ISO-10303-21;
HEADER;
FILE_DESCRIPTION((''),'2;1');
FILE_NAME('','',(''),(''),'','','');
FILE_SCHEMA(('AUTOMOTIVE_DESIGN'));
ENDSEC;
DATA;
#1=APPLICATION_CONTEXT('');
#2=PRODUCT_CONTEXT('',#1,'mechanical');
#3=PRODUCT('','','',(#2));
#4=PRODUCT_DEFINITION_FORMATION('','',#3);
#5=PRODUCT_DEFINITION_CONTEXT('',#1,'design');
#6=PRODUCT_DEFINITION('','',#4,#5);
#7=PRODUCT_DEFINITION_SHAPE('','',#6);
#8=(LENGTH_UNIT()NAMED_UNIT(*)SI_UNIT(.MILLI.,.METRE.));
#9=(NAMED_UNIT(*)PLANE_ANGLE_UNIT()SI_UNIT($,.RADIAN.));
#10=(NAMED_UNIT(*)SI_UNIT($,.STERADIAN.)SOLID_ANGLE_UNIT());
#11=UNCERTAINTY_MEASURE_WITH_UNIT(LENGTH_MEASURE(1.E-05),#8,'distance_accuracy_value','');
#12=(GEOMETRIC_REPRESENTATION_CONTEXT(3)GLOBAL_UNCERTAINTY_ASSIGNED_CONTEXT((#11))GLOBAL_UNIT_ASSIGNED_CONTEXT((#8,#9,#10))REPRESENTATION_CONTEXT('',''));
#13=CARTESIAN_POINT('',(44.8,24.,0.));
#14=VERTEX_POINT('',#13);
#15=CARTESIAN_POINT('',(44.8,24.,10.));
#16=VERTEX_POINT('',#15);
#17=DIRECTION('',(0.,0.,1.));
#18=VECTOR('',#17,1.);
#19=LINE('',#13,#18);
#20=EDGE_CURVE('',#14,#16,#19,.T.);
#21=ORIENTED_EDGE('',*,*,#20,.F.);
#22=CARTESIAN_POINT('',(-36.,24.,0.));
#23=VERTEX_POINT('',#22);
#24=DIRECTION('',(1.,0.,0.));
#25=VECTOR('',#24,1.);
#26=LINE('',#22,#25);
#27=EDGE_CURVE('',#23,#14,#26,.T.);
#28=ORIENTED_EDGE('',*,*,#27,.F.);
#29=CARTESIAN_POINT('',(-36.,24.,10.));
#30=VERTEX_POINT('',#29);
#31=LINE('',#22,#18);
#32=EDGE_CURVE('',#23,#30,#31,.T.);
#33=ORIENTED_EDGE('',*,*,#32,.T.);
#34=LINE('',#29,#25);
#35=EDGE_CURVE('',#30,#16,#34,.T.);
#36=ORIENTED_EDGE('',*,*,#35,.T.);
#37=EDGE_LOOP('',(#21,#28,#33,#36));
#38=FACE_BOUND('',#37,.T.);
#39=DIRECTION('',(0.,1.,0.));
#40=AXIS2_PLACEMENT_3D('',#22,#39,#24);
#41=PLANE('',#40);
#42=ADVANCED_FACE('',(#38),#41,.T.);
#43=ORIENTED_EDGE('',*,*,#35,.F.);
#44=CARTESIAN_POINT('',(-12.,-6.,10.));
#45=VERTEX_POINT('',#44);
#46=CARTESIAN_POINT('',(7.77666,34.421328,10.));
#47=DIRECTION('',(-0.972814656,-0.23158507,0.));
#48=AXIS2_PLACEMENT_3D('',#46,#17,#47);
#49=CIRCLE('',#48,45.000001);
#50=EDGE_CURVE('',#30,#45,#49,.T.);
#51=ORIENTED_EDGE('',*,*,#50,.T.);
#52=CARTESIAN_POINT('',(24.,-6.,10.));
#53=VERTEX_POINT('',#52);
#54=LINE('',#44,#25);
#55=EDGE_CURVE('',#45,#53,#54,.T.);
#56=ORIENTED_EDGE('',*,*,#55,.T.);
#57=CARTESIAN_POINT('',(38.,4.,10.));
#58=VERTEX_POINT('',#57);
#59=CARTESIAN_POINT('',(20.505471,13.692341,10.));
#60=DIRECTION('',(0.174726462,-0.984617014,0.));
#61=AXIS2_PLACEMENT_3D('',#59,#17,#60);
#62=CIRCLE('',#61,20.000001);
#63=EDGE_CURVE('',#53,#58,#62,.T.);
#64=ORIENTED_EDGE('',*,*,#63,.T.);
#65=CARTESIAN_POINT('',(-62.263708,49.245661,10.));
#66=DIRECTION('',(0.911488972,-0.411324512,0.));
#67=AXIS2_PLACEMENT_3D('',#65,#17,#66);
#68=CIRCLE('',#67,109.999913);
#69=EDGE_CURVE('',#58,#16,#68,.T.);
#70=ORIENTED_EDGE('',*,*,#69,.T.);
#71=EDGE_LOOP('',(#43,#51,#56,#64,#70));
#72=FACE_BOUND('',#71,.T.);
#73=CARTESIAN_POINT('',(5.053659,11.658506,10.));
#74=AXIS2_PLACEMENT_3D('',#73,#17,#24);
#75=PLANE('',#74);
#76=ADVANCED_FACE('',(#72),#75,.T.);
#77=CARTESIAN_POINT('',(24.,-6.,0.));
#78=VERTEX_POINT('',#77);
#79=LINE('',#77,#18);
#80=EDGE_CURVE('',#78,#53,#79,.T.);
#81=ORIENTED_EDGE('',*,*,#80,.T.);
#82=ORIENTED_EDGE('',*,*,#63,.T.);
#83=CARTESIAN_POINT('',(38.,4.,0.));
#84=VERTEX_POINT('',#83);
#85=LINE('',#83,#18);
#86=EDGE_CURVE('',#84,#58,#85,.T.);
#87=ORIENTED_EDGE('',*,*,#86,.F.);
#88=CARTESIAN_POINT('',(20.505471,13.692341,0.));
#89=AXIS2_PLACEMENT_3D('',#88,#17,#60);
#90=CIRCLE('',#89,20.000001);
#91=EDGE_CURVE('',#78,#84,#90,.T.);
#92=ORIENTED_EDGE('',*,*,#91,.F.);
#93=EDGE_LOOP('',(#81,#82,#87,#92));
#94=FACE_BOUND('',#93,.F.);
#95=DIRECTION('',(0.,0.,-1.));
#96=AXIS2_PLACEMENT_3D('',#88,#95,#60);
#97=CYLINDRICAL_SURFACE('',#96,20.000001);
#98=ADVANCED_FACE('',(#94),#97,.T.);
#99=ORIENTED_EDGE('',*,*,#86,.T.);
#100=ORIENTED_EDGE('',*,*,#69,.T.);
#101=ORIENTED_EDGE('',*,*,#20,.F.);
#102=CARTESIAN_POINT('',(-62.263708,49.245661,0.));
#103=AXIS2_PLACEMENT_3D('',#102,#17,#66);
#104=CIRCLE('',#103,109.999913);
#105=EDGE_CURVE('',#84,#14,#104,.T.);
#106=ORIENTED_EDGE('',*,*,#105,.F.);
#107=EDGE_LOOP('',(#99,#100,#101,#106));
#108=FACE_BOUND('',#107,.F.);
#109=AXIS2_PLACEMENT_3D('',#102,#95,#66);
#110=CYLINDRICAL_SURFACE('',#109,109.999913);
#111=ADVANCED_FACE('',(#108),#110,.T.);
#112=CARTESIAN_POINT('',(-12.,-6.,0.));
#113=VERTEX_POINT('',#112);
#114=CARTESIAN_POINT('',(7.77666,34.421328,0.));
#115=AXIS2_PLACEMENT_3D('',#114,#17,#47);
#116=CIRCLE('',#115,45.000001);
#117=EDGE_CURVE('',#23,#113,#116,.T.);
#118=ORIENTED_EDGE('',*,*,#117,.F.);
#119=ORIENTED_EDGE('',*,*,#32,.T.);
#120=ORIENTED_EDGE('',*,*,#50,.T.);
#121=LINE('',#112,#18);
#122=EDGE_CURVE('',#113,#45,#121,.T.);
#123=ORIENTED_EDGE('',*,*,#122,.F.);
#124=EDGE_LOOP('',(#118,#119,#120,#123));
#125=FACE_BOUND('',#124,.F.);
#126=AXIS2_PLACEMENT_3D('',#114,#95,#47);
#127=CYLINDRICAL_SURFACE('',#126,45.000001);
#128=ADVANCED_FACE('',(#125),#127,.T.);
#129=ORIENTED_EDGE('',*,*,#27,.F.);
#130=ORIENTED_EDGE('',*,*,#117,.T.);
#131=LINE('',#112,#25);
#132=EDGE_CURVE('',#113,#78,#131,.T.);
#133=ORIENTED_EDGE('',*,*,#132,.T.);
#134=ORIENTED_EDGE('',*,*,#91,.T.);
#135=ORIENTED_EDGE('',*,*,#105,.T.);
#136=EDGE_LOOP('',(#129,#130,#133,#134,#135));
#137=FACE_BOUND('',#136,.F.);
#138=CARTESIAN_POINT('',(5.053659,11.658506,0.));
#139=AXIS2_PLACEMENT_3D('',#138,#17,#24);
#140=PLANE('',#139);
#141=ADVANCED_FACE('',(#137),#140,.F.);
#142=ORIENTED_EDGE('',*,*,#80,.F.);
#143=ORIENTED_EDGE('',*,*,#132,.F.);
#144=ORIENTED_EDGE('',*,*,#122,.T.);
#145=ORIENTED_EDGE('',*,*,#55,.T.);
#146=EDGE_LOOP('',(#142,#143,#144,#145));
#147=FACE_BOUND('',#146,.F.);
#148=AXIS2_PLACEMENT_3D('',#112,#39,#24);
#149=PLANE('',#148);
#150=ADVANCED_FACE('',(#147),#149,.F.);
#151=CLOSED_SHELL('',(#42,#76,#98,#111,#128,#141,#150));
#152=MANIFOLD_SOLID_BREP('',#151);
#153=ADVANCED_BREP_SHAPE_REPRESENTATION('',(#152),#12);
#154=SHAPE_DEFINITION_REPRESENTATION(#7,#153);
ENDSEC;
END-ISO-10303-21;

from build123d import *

# Parameters (mm, degrees)
PAD_DEPTH = 10


with BuildPart() as part:
    # Sketch001 → Pad (new body)
    with BuildSketch(Plane.XY):
        with BuildLine():
            ThreePointArc((24, -6), (32.130235, -2.582329), (38, 4))
            ThreePointArc((38, 4), (41.881212, 13.836388), (44.8, 24))
            Line((-36, 24), (44.8, 24))
            ThreePointArc((-36, 24), (-27.362437, 6.310051), (-12, -6))
            Line((-12, -6), (24, -6))
        make_face()
    extrude(amount=PAD_DEPTH)


solid = part.part
